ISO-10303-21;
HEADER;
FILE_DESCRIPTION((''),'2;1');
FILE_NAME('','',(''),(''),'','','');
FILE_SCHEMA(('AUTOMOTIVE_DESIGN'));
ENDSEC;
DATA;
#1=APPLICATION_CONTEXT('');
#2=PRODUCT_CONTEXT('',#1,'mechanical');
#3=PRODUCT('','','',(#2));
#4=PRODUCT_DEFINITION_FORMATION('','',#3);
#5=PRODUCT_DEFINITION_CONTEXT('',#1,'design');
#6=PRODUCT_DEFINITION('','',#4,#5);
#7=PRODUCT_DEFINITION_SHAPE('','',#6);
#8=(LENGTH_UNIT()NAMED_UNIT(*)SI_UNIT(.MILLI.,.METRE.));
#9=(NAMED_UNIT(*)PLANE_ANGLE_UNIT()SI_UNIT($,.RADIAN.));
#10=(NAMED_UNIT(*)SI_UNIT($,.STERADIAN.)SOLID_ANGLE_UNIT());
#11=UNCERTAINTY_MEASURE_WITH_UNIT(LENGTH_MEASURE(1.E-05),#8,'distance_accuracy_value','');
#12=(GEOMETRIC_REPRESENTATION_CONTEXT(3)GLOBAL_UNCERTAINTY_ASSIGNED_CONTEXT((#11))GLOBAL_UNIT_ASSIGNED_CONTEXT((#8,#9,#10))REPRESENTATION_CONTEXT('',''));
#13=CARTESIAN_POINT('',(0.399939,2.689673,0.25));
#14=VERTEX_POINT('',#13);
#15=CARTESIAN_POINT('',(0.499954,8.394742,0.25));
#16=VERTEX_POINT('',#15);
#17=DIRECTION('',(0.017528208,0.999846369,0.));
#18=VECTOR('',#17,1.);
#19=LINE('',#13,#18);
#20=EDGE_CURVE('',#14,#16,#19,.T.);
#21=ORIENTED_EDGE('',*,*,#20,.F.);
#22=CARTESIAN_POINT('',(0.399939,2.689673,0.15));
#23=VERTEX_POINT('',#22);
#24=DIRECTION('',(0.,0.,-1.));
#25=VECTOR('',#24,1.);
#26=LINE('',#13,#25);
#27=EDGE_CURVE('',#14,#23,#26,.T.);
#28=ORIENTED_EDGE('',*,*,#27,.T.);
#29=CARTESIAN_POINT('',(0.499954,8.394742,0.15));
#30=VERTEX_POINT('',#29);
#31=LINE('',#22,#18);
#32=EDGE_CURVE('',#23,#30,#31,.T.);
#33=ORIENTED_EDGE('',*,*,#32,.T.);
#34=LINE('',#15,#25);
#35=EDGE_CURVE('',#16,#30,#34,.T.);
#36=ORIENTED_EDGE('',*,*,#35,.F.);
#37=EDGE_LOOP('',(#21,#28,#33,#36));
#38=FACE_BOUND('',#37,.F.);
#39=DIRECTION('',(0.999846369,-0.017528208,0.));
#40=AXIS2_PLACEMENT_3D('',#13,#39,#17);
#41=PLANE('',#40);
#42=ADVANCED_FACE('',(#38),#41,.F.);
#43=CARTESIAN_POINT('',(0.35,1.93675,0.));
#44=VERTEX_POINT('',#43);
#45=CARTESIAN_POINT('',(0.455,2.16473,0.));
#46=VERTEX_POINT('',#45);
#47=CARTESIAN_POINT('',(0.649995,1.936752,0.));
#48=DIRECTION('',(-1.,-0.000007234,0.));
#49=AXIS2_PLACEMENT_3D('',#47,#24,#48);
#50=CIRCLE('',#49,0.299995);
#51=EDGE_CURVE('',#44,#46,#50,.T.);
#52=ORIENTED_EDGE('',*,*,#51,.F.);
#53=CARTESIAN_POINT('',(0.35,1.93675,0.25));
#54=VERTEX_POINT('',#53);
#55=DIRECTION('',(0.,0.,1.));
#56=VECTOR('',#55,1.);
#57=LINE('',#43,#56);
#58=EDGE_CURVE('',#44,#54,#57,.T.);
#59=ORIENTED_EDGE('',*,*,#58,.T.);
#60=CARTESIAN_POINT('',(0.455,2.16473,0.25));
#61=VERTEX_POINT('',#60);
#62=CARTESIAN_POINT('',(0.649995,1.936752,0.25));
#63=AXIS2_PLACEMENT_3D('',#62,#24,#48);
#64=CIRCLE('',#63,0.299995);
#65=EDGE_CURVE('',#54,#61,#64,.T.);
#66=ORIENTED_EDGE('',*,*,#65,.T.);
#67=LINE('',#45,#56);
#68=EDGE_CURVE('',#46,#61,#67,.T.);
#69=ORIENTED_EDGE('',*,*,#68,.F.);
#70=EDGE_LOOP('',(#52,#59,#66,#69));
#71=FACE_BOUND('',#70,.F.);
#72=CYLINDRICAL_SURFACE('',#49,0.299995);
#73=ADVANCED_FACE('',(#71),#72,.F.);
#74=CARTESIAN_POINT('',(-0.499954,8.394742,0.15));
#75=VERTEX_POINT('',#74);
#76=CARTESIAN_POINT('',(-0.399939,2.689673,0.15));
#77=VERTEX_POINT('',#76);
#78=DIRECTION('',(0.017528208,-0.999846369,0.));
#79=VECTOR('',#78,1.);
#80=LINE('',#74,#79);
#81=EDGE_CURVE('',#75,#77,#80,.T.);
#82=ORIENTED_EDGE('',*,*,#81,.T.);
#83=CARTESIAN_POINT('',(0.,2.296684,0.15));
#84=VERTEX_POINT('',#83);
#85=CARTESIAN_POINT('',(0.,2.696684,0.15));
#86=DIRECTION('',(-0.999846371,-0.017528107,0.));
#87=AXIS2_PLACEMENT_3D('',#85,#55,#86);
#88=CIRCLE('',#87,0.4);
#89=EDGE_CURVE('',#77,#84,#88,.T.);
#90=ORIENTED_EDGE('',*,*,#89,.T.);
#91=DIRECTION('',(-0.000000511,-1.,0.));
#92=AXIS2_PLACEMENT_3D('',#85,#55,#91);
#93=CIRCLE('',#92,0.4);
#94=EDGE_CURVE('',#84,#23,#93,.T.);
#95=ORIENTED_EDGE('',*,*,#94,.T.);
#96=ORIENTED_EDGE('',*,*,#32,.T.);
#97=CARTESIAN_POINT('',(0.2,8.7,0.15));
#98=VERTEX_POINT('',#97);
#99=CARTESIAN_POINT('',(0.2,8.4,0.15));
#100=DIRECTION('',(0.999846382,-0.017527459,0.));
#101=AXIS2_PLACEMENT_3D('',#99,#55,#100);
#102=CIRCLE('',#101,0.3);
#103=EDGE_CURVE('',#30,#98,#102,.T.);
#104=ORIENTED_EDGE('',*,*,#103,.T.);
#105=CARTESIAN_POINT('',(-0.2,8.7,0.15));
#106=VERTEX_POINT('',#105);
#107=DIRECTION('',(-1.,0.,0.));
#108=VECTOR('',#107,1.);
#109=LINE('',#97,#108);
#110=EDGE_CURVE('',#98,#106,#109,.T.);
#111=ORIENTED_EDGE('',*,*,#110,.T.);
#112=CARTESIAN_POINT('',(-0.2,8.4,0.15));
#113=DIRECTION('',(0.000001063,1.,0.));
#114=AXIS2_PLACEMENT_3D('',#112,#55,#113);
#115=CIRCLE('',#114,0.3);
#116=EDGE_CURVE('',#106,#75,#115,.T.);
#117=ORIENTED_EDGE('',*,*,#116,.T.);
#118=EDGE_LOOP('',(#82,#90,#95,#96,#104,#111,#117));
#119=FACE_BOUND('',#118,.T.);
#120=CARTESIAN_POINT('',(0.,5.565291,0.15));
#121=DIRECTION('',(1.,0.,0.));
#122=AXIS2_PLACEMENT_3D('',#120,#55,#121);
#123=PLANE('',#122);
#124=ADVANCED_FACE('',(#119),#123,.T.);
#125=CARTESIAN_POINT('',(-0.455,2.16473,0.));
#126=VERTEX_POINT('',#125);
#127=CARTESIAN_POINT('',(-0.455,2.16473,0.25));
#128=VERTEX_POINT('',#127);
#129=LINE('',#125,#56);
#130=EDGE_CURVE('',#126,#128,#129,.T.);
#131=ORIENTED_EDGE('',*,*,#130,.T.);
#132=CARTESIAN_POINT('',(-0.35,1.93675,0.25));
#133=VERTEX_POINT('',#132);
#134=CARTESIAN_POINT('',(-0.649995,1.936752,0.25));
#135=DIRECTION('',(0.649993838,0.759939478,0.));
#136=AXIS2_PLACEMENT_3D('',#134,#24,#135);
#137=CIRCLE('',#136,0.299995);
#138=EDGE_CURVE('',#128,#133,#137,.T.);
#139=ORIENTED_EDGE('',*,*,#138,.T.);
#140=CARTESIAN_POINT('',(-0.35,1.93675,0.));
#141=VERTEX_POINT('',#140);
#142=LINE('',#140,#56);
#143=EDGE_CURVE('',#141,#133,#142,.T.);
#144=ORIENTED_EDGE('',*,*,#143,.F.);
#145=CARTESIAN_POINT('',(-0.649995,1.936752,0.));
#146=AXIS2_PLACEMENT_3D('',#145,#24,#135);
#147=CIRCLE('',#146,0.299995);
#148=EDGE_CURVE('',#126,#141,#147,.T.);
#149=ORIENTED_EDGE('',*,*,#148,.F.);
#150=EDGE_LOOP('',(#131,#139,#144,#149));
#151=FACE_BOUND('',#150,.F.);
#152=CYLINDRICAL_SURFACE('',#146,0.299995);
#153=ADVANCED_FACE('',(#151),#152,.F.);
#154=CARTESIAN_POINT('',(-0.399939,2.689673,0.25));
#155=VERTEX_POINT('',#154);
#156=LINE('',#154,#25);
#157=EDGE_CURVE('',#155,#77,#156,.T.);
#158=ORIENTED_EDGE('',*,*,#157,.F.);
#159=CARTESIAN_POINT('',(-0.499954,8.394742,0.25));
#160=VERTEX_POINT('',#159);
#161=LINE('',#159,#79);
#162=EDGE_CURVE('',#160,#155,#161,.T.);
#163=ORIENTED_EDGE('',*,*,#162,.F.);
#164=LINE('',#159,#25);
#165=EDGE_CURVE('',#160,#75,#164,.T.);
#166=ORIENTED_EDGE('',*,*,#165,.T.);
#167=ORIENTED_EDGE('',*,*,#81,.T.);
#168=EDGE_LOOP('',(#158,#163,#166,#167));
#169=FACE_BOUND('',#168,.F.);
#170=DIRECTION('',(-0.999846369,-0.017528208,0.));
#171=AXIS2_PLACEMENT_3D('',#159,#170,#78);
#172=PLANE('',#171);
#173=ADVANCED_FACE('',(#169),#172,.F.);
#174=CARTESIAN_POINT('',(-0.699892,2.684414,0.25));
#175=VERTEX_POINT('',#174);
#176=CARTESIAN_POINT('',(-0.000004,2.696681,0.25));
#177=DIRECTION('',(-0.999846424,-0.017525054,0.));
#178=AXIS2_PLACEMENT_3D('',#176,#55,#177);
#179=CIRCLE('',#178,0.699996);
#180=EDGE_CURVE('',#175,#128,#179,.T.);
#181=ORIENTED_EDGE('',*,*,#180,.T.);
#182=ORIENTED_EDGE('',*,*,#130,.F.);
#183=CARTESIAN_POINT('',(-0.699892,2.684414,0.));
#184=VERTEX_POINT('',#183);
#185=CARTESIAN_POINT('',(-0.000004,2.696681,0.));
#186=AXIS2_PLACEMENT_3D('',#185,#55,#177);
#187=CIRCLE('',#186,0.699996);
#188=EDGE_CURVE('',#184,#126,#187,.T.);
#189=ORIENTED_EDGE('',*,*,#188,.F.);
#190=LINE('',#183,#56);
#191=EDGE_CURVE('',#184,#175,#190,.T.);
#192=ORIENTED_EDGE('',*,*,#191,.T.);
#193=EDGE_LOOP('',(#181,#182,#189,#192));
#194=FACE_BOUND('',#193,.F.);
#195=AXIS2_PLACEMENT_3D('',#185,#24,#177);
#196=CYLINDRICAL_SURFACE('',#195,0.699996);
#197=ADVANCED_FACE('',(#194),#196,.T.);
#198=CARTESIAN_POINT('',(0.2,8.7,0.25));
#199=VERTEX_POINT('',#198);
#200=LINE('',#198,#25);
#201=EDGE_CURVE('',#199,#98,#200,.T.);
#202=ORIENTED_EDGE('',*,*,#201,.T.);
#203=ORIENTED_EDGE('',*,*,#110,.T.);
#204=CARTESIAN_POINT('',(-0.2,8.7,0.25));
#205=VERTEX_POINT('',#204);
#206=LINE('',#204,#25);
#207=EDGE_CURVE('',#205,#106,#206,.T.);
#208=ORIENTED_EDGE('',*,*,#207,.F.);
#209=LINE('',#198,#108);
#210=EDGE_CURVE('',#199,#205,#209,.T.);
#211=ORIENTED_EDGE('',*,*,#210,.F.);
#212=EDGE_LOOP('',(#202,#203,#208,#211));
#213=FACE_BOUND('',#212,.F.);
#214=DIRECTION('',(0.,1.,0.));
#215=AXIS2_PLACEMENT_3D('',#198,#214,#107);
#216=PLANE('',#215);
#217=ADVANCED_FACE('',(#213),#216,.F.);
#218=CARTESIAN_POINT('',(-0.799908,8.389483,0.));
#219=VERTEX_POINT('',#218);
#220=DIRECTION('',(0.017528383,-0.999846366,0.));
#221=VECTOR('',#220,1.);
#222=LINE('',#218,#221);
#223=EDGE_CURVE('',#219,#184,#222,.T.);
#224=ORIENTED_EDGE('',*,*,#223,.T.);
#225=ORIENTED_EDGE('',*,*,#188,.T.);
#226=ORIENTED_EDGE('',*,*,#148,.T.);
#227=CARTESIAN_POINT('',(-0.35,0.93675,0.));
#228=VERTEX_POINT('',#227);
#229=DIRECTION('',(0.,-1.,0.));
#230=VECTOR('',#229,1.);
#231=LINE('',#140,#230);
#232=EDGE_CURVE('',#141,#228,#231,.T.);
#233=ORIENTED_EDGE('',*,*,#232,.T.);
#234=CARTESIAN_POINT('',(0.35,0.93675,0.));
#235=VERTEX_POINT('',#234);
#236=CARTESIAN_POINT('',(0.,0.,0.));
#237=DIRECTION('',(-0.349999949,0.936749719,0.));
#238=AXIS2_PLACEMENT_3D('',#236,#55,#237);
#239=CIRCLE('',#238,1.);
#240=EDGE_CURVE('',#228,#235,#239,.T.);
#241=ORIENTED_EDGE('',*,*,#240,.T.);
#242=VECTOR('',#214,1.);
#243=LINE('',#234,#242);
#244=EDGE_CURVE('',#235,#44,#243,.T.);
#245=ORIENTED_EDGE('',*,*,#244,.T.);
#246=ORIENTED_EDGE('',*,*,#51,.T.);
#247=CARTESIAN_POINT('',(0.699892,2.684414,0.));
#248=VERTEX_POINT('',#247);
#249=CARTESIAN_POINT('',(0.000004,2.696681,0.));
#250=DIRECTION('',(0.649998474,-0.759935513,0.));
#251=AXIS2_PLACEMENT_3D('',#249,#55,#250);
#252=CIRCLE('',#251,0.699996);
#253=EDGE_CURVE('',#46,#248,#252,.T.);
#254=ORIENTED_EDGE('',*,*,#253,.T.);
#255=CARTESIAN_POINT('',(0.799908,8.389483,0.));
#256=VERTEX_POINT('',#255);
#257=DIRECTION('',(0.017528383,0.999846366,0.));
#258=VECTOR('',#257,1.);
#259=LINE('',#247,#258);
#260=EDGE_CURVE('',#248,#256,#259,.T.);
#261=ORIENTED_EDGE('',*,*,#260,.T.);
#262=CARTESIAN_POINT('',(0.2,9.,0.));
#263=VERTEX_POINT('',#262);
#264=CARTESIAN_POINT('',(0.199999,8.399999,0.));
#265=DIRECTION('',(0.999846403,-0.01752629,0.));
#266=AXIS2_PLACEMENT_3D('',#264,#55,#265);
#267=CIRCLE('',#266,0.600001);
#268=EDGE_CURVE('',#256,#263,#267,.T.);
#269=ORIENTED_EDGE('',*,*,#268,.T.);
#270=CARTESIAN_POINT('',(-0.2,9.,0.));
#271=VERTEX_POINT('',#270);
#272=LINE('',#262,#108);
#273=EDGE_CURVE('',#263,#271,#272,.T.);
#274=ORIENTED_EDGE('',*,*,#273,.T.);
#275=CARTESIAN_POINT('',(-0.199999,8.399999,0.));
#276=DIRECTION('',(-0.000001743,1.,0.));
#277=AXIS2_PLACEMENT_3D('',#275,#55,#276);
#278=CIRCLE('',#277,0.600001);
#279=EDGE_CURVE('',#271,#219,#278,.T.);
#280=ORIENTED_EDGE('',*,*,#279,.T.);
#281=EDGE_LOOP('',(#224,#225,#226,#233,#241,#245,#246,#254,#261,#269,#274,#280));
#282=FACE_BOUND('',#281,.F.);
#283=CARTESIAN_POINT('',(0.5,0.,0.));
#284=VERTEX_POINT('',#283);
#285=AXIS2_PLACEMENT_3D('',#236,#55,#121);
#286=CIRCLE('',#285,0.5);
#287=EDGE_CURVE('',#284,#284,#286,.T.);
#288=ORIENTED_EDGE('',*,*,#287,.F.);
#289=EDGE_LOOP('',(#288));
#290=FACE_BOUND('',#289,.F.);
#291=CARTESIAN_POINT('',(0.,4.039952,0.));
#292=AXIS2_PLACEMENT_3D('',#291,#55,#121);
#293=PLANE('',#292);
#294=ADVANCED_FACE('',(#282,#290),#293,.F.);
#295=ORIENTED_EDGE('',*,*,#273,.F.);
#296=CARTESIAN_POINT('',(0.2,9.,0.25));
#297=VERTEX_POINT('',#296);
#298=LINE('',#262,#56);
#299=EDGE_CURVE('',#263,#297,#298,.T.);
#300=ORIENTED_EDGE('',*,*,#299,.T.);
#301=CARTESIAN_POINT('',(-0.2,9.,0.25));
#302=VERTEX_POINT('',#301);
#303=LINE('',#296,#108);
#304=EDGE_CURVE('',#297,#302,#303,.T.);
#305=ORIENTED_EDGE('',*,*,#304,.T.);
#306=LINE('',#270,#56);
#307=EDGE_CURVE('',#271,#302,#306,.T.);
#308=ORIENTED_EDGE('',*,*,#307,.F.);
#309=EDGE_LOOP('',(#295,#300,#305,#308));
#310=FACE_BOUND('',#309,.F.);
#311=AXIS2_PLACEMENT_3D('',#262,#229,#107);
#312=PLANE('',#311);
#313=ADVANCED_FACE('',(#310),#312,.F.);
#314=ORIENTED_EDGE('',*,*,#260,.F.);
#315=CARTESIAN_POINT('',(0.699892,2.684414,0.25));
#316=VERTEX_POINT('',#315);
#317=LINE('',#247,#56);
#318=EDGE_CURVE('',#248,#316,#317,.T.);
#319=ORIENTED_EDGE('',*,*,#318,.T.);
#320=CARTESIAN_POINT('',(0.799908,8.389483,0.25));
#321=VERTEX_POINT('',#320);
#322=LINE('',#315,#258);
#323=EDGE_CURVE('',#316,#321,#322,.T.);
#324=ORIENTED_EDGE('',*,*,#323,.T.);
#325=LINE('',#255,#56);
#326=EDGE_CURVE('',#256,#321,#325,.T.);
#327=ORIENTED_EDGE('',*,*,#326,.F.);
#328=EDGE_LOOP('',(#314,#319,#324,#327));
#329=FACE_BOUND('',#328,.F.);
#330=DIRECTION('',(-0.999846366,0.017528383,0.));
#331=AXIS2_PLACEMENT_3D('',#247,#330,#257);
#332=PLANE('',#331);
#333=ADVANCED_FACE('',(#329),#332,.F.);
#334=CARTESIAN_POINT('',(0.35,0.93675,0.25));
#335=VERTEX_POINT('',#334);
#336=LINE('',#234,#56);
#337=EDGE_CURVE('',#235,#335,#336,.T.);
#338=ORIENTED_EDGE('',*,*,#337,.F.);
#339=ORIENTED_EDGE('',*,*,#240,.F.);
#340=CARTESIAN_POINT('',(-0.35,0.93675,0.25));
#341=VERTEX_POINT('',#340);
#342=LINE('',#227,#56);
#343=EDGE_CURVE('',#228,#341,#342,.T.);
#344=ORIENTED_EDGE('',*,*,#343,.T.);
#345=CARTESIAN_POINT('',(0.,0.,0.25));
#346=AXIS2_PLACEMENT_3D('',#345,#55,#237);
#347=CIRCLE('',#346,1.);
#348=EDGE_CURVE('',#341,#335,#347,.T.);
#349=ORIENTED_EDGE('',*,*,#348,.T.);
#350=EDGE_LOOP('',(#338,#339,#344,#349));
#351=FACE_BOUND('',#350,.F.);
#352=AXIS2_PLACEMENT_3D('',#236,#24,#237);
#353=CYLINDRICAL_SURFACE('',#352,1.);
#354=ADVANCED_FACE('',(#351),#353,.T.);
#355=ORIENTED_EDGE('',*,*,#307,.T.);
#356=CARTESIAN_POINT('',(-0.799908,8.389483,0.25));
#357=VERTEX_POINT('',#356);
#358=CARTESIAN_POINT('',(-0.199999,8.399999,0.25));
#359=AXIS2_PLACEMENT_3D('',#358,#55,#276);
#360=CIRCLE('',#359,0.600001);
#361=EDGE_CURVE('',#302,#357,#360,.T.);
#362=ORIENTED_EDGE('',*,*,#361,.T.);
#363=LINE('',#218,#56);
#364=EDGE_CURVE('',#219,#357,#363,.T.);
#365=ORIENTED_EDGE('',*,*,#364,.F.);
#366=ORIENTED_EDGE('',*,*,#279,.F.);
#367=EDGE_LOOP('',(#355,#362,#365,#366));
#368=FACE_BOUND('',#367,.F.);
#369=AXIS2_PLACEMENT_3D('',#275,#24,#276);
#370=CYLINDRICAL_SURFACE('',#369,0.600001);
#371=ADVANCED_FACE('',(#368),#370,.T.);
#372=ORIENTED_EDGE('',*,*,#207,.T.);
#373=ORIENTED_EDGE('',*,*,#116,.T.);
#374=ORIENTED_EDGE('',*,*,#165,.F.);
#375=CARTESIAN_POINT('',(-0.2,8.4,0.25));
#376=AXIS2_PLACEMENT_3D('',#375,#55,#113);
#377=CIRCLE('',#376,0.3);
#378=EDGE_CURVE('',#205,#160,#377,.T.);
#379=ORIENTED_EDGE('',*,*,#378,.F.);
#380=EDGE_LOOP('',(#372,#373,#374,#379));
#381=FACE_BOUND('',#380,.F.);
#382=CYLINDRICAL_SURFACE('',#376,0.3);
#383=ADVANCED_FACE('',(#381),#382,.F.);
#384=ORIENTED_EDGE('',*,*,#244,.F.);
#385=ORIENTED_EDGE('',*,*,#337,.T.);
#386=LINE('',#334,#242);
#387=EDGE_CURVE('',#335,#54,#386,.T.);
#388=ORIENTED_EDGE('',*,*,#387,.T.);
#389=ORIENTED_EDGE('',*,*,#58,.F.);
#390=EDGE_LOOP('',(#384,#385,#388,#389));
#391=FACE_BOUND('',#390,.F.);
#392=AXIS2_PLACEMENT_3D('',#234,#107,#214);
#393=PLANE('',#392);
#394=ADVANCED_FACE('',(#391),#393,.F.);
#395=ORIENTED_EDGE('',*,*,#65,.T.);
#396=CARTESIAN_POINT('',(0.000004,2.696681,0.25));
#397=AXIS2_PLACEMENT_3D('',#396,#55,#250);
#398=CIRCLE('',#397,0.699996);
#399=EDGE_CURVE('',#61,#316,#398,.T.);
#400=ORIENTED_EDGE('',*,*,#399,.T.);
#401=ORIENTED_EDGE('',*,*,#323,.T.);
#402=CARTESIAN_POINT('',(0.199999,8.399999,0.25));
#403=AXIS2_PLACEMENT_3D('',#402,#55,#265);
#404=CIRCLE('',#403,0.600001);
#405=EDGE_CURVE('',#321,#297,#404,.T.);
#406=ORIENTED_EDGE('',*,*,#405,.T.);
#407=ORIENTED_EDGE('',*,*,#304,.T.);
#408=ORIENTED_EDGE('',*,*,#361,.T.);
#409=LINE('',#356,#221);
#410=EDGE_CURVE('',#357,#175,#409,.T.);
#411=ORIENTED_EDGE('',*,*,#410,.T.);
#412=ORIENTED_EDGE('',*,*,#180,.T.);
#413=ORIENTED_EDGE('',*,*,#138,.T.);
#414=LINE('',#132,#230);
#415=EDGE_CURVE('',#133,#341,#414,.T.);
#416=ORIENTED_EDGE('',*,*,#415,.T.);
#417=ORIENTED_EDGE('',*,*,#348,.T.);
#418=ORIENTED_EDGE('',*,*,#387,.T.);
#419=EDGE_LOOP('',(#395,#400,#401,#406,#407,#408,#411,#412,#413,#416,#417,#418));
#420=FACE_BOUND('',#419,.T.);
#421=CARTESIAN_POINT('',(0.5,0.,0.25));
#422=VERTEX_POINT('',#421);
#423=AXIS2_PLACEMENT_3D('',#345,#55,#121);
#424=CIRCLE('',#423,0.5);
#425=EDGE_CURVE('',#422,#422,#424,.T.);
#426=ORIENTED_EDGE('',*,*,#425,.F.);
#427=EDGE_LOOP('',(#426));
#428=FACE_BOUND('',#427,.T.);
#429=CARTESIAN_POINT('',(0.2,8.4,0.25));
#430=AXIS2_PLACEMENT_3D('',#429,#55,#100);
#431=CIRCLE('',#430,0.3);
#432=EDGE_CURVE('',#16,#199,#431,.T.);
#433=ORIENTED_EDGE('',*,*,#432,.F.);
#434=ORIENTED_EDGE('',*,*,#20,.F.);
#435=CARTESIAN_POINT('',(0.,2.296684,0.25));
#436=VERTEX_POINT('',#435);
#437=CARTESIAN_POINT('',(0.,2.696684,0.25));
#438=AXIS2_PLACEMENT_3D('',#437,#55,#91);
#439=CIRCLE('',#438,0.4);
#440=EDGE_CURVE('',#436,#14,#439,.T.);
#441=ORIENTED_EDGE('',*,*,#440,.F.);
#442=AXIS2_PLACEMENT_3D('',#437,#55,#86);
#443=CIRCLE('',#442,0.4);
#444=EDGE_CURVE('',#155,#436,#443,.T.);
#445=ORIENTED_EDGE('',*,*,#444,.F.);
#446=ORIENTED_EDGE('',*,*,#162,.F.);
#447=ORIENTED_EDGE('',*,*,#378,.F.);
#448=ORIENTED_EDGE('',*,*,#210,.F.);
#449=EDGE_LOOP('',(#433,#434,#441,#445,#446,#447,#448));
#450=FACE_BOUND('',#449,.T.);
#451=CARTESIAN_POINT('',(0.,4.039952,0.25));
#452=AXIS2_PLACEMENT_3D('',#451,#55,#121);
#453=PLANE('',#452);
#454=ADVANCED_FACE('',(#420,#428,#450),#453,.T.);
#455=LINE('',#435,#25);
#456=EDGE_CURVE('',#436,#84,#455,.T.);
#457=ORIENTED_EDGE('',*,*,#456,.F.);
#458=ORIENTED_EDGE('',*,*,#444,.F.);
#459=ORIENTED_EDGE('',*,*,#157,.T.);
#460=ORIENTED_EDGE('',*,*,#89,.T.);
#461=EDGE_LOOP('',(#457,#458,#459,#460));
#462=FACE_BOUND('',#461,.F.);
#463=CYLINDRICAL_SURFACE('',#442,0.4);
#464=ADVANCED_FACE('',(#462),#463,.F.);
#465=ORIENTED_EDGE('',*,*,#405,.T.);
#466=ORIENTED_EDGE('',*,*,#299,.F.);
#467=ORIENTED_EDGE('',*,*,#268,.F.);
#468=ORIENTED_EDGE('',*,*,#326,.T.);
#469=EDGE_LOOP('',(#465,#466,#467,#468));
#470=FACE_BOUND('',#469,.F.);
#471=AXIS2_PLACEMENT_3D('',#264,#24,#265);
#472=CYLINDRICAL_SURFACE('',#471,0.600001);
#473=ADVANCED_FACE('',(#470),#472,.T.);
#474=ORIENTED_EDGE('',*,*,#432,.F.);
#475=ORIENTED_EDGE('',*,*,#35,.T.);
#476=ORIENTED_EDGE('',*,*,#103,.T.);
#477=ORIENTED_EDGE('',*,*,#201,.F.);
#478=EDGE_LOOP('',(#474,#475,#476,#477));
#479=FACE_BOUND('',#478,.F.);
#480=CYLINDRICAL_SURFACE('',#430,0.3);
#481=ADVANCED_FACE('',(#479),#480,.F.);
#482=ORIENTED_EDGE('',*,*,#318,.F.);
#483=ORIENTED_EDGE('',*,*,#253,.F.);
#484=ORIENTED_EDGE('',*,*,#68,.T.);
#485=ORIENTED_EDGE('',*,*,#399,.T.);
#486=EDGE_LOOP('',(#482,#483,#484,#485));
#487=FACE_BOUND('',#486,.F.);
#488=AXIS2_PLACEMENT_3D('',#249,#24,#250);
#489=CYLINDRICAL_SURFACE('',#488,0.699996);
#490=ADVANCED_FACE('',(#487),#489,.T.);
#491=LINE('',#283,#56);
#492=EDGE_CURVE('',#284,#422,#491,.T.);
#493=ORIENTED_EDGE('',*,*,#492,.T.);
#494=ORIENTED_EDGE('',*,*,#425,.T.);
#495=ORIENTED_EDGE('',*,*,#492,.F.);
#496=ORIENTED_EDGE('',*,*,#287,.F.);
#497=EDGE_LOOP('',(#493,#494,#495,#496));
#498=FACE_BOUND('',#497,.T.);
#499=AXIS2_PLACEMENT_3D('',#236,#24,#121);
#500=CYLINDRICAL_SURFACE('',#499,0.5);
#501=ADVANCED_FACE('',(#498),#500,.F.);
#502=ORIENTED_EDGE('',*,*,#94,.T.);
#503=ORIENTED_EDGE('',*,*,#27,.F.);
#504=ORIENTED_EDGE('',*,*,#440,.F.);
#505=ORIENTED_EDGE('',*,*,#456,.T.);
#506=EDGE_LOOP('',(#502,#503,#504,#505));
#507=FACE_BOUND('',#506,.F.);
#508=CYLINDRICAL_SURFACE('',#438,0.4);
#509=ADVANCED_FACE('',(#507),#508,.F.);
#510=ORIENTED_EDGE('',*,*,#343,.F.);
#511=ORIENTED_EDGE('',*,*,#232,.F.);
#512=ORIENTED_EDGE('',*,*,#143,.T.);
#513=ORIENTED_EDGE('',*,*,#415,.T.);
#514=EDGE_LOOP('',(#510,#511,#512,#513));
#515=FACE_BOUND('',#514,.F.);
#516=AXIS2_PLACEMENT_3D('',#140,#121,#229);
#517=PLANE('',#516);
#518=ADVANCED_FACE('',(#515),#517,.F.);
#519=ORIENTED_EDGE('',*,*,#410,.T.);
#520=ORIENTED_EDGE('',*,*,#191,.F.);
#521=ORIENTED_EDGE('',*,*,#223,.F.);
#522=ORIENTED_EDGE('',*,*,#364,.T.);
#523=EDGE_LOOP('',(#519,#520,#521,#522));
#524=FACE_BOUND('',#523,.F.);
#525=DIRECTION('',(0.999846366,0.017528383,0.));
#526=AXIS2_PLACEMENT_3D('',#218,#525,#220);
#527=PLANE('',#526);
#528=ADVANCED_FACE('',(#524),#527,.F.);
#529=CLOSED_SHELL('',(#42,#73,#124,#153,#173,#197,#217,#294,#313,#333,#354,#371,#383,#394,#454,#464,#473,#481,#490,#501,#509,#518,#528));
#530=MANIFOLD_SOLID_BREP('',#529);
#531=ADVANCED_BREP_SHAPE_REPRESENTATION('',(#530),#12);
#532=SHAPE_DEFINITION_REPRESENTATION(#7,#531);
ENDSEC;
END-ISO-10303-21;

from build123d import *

# Parameters (mm, degrees)
F0_R     = 0.5
F1_DEPTH = 0.25
F3_DEPTH = 0.1


with BuildPart() as f1:
    # F0 (on Top) → F1 (new body)
    with BuildSketch(Plane.XY):
        with BuildLine():
            Line((-0.35, 1.93675), (-0.35, 0.93675))
            ThreePointArc((-0.35, 0.93675), (0, -1), (0.35, 0.93675))
            Line((0.35, 0.93675), (0.35, 1.93675))
            ThreePointArc((0.35, 1.93675), (0.377511, 2.062249), (0.455, 2.16473))
            ThreePointArc((0.455, 2.16473), (0.633216, 2.398292), (0.699892, 2.684414))
            Line((0.699892, 2.684414), (0.799908, 8.389483))
            ThreePointArc((0.799908, 8.389483), (0.627966, 8.820529), (0.2, 9))
            Line((0.2, 9), (0, 9))
            Line((0, 9), (-0.2, 9))
            ThreePointArc((-0.2, 9), (-0.627966, 8.820529), (-0.799908, 8.389483))
            Line((-0.799908, 8.389483), (-0.699892, 2.684414))
            ThreePointArc((-0.699892, 2.684414), (-0.633216, 2.398292), (-0.455, 2.16473))
            ThreePointArc((-0.455, 2.16473), (-0.377511, 2.062249), (-0.35, 1.93675))
        make_face()
        Circle(F0_R, mode=Mode.SUBTRACT)
    extrude(amount=F1_DEPTH)

    # F2 (on face) → F3 (cut)
    with BuildSketch(Plane.XY.offset(0.25)):
        with BuildLine():
            ThreePointArc((0, 2.296684), (0.280353, 2.411373), (0.399939, 2.689673))
            Line((0.399939, 2.689673), (0.499954, 8.394742))
            ThreePointArc((0.499954, 8.394742), (0.413983, 8.610265), (0.2, 8.7))
            Line((0.2, 8.7), (0, 8.7))
            Line((0, 8.7), (-0.2, 8.7))
            ThreePointArc((-0.2, 8.7), (-0.413983, 8.610265), (-0.499954, 8.394742))
            Line((-0.499954, 8.394742), (-0.399939, 2.689673))
            ThreePointArc((-0.399939, 2.689673), (-0.280353, 2.411373), (0, 2.296684))
        make_face()
    extrude(amount=-F3_DEPTH, mode=Mode.SUBTRACT)


solid = f1.part
